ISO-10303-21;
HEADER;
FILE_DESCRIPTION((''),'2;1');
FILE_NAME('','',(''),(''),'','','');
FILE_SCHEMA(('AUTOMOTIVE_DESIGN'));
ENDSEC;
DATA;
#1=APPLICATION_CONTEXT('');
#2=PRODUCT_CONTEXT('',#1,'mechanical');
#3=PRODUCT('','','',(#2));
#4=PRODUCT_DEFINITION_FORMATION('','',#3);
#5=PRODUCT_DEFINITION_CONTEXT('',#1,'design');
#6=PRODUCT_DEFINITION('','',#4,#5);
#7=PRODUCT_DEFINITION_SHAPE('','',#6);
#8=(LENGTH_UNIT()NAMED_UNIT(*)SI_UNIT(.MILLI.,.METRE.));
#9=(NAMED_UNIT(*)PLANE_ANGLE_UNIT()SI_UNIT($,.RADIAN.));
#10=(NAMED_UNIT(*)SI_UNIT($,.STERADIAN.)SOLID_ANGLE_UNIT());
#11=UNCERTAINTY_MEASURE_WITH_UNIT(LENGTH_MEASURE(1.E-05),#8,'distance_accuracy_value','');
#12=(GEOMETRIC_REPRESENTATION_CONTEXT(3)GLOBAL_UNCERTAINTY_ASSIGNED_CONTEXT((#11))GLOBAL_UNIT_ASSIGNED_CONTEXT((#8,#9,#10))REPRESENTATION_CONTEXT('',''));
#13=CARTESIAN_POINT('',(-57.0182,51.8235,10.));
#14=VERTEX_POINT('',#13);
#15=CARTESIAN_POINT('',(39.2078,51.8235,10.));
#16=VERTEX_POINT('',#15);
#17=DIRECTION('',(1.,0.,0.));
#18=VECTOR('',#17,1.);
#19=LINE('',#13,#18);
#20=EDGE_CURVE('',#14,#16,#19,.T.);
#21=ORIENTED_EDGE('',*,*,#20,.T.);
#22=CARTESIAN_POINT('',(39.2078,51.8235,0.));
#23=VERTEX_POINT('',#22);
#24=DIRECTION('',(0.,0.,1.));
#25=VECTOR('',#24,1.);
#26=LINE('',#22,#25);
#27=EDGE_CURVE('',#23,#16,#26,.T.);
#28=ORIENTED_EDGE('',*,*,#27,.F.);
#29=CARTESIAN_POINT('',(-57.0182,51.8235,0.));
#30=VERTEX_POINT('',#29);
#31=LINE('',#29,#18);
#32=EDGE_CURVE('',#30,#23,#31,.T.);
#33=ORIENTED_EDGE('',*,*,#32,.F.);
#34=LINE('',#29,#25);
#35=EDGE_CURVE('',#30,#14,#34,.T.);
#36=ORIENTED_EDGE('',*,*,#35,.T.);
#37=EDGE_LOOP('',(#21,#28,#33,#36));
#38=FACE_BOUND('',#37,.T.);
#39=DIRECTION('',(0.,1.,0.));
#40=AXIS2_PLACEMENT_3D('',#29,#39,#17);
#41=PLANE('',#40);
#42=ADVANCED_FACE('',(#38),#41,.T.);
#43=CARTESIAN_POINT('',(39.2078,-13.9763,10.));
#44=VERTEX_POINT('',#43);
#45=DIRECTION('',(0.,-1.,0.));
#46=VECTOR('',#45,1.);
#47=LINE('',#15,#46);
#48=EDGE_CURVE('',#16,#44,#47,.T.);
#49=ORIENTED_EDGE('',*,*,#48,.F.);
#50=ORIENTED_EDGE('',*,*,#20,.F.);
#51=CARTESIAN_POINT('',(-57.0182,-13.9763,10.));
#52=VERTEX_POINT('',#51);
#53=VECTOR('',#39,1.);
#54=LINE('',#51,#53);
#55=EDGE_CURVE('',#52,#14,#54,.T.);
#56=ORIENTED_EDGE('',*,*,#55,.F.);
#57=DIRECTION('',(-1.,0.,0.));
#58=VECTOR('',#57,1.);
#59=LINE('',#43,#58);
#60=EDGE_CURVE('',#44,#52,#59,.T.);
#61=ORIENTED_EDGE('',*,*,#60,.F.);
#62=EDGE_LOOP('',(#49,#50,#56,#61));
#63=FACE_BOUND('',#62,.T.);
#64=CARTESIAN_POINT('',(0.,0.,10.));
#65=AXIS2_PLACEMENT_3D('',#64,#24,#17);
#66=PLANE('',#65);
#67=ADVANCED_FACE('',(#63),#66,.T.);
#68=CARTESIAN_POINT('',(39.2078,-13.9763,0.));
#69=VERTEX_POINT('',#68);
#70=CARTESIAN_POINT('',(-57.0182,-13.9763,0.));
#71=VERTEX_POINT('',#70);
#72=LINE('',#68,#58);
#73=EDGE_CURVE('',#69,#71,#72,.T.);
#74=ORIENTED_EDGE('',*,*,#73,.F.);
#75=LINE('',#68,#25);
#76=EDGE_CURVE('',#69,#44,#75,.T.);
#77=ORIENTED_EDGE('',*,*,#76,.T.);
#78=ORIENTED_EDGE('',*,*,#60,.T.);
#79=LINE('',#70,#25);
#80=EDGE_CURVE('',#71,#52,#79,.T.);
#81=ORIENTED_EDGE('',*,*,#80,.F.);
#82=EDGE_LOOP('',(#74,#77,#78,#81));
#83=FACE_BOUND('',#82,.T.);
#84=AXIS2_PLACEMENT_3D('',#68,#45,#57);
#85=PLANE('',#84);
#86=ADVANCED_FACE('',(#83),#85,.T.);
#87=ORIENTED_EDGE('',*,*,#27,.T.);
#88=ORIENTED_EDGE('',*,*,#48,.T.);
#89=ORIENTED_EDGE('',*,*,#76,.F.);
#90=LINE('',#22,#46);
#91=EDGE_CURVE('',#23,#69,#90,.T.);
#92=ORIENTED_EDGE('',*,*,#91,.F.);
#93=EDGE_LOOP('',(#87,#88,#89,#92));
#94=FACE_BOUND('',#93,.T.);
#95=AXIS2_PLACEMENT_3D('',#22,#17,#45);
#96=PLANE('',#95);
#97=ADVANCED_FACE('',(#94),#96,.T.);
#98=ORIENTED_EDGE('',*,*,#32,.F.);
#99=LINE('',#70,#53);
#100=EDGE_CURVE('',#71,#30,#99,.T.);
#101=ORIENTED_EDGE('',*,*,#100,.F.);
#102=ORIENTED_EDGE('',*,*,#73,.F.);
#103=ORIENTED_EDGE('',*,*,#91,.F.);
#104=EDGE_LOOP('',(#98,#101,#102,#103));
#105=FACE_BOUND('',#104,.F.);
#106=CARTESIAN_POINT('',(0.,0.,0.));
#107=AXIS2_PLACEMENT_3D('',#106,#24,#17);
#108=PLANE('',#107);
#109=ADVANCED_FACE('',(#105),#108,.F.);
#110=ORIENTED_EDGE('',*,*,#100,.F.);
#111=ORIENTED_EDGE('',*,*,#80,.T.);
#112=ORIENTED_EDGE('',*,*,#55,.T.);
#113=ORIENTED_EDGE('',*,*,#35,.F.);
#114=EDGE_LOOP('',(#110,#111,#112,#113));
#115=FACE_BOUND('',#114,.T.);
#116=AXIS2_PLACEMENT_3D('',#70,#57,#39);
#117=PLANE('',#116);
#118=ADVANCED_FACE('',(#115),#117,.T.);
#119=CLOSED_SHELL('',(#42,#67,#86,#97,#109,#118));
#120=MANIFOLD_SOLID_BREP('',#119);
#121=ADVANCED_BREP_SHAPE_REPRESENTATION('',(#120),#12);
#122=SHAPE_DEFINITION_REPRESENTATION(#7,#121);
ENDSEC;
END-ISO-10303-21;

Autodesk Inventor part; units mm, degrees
ref_plane "YZ Plane" through (0, 0, 0) normal (1, 0, 0) x (0, 1, 0)
ref_plane "XZ Plane" through (0, 0, 0) normal (0, 1, 0) x (-1, 0, 0)
ref_plane "XY Plane" through (0, 0, 0) normal (0, 0, 1) x (1, 0, 0)
sketch "Sketch1" plane through (0, 0, 0) normal (0, 0, 1) x (1, 0, 0)
  line L0 (-57.0182, 51.8235) -> (39.2078, 51.8235)
  line L1 (39.2078, 51.8235) -> (39.2078, -13.9763)
  line L2 (39.2078, -13.9763) -> (-57.0182, -13.9763)
  line L3 (-57.0182, -13.9763) -> (-57.0182, 51.8235)
  point P0 (0, 0)
extrude "Extrusion1" add sketch "Sketch1" along normal blind 10
properties part number "flat"
